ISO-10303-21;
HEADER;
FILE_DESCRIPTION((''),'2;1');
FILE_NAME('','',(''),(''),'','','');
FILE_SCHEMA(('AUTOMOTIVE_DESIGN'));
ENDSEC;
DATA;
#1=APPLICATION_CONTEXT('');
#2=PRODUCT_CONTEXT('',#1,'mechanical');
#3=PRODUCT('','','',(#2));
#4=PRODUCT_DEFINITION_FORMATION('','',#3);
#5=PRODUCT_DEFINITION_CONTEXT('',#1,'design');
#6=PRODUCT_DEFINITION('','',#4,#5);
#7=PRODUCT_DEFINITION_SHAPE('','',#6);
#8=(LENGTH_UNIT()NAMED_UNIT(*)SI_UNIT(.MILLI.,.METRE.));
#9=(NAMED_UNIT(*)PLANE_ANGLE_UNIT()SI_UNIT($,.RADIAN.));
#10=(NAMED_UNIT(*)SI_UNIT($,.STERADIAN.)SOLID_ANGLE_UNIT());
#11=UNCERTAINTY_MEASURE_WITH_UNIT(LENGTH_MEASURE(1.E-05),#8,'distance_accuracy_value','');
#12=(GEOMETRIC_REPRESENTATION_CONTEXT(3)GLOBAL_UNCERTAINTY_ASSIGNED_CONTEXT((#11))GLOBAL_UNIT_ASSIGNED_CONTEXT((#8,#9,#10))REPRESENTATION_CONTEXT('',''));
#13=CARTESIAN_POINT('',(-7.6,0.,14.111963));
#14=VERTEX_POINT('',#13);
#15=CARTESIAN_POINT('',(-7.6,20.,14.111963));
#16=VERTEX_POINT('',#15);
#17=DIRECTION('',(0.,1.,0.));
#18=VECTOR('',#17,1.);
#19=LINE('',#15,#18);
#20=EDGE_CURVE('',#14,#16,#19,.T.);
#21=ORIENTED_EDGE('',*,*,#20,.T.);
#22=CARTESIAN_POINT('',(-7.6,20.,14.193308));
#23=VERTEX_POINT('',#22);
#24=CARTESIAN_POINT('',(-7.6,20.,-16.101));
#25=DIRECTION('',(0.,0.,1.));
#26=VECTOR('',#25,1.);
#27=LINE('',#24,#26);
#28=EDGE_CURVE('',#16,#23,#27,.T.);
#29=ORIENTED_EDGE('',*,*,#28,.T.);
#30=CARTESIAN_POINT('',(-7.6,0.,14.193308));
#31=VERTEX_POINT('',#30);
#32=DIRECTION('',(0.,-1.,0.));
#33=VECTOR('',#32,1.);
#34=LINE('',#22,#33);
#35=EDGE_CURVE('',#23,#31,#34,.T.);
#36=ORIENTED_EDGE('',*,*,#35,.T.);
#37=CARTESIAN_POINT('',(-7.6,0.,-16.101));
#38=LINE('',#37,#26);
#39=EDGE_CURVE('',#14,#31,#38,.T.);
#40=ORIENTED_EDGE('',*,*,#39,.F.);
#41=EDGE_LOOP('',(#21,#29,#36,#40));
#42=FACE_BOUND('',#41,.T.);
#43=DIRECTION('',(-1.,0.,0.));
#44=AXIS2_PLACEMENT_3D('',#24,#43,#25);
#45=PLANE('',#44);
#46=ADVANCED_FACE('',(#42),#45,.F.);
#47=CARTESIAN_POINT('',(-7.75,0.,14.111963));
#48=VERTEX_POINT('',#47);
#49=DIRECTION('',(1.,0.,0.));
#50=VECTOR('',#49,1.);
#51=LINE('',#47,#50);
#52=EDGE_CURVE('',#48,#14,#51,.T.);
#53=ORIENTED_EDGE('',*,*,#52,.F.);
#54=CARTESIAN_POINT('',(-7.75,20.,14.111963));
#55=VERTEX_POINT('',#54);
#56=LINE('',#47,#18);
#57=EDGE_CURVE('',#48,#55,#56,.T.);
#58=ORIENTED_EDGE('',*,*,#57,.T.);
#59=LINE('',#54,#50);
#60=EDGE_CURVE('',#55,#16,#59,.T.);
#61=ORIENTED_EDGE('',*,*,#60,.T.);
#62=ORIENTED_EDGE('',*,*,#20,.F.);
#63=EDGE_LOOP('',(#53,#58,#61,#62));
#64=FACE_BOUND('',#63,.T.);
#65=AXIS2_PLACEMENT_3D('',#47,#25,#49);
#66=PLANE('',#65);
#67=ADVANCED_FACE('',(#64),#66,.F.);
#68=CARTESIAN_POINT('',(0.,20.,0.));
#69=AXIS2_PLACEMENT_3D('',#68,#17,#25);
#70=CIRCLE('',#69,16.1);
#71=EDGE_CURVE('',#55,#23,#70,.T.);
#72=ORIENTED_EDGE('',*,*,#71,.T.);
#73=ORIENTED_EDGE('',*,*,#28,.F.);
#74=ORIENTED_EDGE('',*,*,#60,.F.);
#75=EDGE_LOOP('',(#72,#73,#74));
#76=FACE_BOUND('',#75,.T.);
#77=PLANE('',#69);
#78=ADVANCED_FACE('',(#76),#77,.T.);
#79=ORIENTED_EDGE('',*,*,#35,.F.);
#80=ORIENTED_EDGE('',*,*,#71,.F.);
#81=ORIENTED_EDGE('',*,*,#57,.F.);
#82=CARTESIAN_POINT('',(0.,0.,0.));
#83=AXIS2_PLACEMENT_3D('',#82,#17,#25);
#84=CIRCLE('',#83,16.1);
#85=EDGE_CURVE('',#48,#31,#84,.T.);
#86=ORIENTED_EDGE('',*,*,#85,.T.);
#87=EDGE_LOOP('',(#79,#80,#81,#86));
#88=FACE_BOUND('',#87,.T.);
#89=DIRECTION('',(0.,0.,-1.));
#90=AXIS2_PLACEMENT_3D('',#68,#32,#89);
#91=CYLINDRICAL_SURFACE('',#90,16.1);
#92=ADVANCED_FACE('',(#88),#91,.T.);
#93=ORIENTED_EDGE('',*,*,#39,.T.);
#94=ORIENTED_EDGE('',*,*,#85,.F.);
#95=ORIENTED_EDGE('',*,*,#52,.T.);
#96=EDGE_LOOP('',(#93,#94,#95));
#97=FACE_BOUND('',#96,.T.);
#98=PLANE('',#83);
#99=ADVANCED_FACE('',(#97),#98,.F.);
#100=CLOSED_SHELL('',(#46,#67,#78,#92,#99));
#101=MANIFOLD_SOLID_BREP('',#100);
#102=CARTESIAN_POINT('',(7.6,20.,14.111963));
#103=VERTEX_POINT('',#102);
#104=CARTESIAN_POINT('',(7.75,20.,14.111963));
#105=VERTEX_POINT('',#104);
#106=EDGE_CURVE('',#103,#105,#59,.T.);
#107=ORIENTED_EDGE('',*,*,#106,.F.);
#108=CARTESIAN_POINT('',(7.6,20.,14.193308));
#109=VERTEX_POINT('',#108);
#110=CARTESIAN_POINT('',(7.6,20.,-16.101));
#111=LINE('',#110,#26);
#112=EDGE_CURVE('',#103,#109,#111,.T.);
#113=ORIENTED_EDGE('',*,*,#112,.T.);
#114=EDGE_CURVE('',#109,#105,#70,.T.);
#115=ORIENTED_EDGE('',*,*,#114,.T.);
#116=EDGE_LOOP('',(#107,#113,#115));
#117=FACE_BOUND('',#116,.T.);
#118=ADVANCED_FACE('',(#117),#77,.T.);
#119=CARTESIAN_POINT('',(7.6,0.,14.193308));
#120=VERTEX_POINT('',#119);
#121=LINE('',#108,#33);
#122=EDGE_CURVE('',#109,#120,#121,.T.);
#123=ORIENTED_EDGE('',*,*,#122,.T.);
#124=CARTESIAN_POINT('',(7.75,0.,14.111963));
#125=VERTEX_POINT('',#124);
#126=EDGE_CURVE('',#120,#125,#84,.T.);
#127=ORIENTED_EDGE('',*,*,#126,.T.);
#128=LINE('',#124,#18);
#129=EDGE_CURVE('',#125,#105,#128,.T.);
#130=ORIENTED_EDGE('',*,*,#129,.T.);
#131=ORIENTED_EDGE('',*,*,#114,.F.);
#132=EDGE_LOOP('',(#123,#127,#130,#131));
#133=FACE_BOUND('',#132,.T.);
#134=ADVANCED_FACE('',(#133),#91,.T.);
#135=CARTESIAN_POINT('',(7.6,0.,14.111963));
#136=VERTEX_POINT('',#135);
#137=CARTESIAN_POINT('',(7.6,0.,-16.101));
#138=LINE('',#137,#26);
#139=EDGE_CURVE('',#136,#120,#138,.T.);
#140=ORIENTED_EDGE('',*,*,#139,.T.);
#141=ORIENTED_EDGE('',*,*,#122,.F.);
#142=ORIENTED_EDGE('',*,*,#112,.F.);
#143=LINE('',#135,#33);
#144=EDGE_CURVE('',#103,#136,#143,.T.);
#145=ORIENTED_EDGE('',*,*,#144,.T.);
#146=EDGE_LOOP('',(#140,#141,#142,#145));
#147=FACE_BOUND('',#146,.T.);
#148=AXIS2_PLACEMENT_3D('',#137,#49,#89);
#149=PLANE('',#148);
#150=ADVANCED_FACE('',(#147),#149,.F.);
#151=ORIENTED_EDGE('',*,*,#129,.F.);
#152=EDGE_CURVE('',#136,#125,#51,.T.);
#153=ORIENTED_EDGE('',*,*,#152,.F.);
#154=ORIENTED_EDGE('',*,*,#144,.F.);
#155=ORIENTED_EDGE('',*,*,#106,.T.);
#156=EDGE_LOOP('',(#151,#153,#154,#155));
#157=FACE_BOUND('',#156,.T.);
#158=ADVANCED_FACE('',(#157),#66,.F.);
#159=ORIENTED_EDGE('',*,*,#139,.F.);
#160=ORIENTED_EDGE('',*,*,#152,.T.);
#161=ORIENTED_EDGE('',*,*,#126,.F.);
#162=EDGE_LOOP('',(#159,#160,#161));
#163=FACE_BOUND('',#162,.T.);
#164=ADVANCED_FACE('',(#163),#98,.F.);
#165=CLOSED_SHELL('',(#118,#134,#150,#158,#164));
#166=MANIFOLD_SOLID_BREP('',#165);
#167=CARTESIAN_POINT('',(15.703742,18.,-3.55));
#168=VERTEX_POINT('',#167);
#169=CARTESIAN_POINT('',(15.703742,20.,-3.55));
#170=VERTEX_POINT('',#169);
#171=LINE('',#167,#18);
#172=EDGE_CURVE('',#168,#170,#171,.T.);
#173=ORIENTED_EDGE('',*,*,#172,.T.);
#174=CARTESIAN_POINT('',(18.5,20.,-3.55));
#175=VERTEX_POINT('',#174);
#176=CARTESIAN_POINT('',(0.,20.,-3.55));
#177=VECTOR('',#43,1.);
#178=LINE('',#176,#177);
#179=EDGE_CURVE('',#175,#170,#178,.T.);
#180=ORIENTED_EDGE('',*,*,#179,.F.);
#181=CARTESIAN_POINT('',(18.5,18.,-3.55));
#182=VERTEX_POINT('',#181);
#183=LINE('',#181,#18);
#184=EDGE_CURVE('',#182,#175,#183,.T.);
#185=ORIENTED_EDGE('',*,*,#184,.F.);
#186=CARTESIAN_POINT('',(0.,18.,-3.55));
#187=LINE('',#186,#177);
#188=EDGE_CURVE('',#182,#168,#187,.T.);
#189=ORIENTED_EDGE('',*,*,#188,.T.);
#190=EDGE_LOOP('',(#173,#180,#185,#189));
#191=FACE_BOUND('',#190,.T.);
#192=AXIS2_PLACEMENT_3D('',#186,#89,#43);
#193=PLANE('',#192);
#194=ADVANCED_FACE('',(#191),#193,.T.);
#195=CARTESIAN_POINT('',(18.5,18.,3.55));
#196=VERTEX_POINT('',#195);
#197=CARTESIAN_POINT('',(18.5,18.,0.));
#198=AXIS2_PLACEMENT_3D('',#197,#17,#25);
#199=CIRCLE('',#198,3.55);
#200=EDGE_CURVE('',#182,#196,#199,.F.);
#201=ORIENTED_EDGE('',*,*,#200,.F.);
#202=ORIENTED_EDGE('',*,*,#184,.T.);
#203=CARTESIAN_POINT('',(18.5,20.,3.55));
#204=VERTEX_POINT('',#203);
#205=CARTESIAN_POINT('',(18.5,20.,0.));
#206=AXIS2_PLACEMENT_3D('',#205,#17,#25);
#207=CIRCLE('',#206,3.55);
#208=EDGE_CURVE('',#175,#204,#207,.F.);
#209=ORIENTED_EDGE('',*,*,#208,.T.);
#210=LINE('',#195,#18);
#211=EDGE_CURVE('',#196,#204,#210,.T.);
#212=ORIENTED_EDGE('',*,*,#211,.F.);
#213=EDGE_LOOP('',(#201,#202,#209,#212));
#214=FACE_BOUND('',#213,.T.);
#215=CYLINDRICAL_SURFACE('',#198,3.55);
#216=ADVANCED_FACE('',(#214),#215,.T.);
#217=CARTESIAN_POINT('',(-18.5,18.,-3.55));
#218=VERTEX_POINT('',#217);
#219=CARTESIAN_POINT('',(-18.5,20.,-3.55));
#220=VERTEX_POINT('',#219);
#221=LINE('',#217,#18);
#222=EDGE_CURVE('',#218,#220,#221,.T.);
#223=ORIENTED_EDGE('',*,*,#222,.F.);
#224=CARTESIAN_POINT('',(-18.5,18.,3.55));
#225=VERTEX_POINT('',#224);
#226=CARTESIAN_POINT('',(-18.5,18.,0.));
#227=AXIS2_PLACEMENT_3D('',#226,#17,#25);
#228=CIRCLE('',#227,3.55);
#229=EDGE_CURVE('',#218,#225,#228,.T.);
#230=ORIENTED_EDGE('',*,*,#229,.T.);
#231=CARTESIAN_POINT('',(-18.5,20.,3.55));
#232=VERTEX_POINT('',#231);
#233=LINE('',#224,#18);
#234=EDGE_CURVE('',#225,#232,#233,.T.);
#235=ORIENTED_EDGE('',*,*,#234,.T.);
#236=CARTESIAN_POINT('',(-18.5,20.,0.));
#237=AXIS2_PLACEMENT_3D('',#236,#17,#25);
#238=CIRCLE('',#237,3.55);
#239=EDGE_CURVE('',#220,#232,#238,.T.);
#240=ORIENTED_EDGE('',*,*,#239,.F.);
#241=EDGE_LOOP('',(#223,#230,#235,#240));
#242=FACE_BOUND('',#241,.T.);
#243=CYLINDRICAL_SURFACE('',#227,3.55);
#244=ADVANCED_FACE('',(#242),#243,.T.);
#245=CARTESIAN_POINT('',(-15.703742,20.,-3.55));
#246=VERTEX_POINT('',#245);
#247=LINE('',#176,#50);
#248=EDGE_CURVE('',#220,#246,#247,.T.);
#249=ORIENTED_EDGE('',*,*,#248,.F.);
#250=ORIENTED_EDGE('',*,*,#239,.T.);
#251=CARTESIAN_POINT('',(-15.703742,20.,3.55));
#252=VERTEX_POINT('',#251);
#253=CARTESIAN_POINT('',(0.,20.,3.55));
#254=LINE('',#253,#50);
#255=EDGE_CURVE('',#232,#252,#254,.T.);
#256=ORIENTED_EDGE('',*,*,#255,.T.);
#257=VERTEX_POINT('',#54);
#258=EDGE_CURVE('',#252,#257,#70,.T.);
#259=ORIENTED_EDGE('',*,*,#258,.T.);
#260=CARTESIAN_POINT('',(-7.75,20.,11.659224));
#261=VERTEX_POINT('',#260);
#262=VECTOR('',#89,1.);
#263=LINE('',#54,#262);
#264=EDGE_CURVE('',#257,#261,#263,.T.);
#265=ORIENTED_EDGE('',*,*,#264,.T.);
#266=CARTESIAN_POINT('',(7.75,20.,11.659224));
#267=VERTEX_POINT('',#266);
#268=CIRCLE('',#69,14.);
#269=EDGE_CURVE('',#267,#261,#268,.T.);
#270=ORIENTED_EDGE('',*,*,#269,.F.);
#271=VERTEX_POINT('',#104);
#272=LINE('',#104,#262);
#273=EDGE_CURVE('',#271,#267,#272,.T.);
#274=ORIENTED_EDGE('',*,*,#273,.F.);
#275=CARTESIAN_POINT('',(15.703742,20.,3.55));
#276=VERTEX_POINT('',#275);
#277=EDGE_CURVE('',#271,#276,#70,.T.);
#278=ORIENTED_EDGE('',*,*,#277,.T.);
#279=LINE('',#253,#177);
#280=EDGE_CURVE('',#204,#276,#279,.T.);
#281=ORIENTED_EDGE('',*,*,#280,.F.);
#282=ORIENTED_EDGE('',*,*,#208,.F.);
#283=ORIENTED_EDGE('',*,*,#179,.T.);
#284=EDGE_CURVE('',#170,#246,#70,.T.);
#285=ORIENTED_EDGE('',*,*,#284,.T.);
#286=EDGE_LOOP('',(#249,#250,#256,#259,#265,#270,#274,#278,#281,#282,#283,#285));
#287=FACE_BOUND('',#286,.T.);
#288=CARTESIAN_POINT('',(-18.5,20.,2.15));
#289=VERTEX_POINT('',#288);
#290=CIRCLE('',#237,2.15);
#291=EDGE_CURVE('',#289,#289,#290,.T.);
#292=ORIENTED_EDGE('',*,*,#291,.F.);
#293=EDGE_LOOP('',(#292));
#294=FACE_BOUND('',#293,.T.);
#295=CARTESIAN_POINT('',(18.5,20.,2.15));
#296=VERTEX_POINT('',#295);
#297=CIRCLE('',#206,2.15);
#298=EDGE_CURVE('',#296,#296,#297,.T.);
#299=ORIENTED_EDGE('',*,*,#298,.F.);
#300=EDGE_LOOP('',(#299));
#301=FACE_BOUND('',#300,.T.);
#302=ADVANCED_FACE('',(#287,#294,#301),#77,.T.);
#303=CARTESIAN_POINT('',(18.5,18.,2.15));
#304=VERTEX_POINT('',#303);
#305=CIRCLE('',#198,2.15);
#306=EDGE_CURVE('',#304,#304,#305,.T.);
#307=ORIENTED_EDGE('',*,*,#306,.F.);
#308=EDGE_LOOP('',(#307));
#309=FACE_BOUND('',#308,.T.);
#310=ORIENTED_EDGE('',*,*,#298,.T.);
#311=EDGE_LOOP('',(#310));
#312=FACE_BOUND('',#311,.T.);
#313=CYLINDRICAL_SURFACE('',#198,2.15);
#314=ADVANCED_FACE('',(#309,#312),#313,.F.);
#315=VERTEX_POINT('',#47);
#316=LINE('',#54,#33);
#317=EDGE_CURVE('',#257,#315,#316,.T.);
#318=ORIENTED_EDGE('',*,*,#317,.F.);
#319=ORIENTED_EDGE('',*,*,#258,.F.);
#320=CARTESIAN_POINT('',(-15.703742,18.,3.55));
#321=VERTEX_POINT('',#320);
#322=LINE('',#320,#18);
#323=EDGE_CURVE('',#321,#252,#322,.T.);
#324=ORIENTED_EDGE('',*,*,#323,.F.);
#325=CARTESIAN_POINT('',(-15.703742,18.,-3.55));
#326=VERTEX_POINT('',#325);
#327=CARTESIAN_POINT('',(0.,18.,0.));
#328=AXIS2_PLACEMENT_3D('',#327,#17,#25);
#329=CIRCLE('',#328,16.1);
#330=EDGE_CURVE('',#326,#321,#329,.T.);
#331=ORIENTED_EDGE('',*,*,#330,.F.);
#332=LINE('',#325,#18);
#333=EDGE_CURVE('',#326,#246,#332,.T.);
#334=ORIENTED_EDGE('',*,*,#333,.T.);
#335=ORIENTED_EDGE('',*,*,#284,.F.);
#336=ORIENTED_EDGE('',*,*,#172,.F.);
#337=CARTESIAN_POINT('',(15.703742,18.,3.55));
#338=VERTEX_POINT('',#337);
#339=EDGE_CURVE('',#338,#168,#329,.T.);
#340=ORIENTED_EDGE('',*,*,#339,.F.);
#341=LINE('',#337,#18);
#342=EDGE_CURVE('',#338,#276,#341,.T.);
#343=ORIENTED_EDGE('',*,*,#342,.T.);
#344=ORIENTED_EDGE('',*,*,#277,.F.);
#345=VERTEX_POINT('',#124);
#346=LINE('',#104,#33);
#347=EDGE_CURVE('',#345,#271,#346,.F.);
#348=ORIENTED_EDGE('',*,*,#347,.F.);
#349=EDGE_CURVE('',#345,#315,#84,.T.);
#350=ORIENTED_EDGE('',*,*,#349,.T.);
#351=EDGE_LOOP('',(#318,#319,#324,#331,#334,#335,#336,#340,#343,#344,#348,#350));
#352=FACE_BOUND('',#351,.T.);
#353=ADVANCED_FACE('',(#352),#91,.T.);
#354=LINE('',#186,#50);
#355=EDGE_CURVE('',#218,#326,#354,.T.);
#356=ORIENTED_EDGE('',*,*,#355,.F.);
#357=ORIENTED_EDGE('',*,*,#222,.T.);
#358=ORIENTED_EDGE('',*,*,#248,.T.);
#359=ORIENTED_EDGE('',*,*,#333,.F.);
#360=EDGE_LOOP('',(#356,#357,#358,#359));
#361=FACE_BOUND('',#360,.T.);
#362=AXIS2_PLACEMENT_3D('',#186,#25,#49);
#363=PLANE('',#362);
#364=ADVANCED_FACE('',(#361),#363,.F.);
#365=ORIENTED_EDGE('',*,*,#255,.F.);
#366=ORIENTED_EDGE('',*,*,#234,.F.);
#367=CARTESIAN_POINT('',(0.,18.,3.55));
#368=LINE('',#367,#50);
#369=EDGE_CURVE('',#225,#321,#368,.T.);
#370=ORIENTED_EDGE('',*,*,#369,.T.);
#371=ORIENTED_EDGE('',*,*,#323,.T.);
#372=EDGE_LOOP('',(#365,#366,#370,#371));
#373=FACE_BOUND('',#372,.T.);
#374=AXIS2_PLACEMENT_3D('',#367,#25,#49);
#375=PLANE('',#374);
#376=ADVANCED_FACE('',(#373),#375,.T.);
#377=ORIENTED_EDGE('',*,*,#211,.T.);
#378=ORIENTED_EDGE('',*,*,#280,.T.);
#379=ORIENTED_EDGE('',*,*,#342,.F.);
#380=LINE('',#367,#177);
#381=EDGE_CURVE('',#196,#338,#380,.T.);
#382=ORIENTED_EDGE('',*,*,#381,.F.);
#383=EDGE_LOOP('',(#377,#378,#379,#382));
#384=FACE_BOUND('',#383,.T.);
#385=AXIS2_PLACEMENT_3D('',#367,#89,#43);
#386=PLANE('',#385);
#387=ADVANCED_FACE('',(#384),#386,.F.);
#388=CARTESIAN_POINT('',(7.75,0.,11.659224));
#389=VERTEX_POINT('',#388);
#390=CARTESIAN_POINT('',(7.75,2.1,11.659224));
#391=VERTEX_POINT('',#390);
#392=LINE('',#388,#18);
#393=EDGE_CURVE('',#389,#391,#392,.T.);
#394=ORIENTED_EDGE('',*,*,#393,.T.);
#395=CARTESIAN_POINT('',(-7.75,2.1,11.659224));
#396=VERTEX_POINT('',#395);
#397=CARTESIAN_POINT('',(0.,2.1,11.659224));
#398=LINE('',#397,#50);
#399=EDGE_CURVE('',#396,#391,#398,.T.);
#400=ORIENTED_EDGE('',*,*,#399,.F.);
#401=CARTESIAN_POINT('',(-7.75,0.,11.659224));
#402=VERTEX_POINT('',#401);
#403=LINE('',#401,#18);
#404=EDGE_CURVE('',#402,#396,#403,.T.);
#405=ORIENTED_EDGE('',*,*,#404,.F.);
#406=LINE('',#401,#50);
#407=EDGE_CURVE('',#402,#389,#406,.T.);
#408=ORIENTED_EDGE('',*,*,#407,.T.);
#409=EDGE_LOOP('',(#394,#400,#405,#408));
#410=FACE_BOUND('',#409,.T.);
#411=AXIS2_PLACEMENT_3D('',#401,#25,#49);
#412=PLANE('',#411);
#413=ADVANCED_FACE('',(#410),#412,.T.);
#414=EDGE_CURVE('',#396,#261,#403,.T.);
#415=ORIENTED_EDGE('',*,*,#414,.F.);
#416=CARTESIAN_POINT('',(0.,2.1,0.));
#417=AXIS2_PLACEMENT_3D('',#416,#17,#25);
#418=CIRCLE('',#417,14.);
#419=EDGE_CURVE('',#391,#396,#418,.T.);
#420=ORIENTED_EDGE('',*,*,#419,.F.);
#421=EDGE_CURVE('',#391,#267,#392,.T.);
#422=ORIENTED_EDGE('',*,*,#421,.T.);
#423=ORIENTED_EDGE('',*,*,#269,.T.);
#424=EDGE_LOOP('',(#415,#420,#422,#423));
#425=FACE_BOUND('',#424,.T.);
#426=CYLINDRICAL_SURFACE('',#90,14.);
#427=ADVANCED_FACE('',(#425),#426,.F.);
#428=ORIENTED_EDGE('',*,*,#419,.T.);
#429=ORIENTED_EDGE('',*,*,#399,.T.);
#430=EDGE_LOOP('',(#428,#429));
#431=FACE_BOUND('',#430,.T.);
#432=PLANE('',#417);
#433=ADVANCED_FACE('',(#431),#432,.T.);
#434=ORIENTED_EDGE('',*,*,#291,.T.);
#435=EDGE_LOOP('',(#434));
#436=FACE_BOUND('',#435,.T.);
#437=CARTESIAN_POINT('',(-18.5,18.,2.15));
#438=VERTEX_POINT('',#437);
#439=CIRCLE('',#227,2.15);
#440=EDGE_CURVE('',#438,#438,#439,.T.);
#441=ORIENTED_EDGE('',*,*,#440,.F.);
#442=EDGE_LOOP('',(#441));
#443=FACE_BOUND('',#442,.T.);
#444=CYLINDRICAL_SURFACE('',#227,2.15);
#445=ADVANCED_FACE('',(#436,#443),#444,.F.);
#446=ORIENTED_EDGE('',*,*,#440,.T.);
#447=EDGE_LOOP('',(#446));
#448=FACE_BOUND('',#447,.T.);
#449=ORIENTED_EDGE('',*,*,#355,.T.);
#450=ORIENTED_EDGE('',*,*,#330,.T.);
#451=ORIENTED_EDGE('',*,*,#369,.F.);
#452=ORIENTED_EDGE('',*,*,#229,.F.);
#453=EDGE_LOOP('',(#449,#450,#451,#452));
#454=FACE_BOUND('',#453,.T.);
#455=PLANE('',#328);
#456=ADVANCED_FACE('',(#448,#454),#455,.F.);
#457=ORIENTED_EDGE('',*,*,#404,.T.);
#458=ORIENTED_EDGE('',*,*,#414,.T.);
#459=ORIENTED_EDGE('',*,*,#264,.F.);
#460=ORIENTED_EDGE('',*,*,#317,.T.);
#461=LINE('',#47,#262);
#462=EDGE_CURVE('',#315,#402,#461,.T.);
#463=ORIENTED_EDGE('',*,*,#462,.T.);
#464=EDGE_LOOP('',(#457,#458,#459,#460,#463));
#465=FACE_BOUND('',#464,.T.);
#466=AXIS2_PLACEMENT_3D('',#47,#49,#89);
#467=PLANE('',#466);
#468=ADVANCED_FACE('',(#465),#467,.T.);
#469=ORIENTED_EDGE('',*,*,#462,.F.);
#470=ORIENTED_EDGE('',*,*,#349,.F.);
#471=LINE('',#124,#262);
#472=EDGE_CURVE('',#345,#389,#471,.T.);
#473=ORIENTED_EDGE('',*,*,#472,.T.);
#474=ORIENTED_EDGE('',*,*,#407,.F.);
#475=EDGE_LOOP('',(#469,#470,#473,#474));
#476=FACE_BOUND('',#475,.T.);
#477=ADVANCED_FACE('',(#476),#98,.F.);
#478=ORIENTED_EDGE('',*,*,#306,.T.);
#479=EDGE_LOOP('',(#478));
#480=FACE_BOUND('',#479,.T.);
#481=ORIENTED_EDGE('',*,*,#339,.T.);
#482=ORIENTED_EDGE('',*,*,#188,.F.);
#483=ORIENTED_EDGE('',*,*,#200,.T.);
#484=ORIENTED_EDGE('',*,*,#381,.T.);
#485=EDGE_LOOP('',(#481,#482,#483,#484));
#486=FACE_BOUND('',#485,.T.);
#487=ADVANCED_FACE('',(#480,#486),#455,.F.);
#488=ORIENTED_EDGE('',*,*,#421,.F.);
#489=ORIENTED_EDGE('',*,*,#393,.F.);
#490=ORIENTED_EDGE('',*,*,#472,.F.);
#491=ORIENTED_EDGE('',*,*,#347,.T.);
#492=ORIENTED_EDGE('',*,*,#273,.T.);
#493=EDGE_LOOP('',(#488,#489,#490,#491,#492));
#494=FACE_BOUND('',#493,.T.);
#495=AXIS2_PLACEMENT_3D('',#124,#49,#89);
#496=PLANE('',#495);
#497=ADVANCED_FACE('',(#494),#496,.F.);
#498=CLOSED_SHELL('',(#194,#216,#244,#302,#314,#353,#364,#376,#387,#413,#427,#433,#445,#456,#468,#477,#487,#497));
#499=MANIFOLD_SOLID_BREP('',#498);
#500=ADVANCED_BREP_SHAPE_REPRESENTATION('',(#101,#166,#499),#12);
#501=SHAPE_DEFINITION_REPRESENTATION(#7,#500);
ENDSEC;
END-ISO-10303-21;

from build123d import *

# Parameters (mm, degrees)
BOSS_EXTRUDE1_DEPTH = 20
SHELL2_T            = -2.1
SKETCH2_R           = 2.15
BOSS_EXTRUDE2_DEPTH = 2
SKETCH3_W           = 15.5
SKETCH3_H           = 2.452739194
CUT_EXTRUDE1_DEPTH  = 21
CUT_EXTRUDE2_REACH  = 32.293
SKETCH4_W           = 15.2
SKETCH4_H           = 20


with BuildPart() as part:
    # Sketch1 → Boss-Extrude1 (new body)
    with BuildSketch(Plane(origin=(0, 0, 0), x_dir=(1, 0, 0), z_dir=(0, 1, 0))):
        with BuildLine():
            Line((-7.6, -14.193308282), (7.6, -14.193308282))
            ThreePointArc((7.6, -14.193308282), (0, 16.1), (-7.6, -14.193308282))
        make_face()
    extrude(amount=BOSS_EXTRUDE1_DEPTH)

    # Shell2
    shell2_openings = [part.faces().sort_by_distance(p)[0] for p in [
        (0, 20, -0.953345859),
    ]]
    offset(amount=SHELL2_T, openings=shell2_openings)

    # Sketch2 → Boss-Extrude2 (add)
    with BuildSketch(Plane(origin=(0, 20, 0), x_dir=(1, 0, 0), z_dir=(0, 1, 0))):
        with BuildLine():
            Line((-15.703741592, 3.55), (-18.5, 3.55))
            ThreePointArc((-18.5, 3.55), (-22.05, 0), (-18.5, -3.55))
            Line((-18.5, -3.55), (-15.703741592, -3.55))
            ThreePointArc((-15.703741592, -3.55), (-16.1, 0), (-15.703741592, 3.55))
        make_face()
        with Locations((-18.5, 0)):
            Circle(SKETCH2_R, mode=Mode.SUBTRACT)
        with BuildLine():
            Line((18.5, 3.55), (15.703741592, 3.55))
            ThreePointArc((15.703741592, 3.55), (16.1, 0), (15.703741592, -3.55))
            Line((15.703741592, -3.55), (18.5, -3.55))
            ThreePointArc((18.5, -3.55), (22.05, 0), (18.5, 3.55))
        make_face()
        with Locations((18.5, 0)):
            Circle(SKETCH2_R, mode=Mode.SUBTRACT)
    extrude(amount=-BOSS_EXTRUDE2_DEPTH)

    # Sketch3 → Cut-Extrude1 (cut, through all)
    with BuildSketch(Plane(origin=(0, 20, 0), x_dir=(1, 0, 0), z_dir=(0, 1, 0))):
        with Locations((0, -12.885593413)):
            Rectangle(SKETCH3_W, SKETCH3_H)
    extrude(amount=-CUT_EXTRUDE1_DEPTH, mode=Mode.SUBTRACT)

    # Sketch4 → Cut-Extrude2 (cut, up to next)
    with BuildSketch(Plane.XY.offset(14.193308282), mode=Mode.PRIVATE) as cut_extrude2_sk1:
        with Locations((0, 10)):
            Rectangle(SKETCH4_W, SKETCH4_H)
    cut_extrude2_tool1 = extrude(cut_extrude2_sk1.sketch, amount=-CUT_EXTRUDE2_REACH, mode=Mode.PRIVATE) & part.part
    add(cut_extrude2_tool1.solids().sort_by_distance((0, 10, 14.193308))[0], mode=Mode.SUBTRACT)


solid = part.part
